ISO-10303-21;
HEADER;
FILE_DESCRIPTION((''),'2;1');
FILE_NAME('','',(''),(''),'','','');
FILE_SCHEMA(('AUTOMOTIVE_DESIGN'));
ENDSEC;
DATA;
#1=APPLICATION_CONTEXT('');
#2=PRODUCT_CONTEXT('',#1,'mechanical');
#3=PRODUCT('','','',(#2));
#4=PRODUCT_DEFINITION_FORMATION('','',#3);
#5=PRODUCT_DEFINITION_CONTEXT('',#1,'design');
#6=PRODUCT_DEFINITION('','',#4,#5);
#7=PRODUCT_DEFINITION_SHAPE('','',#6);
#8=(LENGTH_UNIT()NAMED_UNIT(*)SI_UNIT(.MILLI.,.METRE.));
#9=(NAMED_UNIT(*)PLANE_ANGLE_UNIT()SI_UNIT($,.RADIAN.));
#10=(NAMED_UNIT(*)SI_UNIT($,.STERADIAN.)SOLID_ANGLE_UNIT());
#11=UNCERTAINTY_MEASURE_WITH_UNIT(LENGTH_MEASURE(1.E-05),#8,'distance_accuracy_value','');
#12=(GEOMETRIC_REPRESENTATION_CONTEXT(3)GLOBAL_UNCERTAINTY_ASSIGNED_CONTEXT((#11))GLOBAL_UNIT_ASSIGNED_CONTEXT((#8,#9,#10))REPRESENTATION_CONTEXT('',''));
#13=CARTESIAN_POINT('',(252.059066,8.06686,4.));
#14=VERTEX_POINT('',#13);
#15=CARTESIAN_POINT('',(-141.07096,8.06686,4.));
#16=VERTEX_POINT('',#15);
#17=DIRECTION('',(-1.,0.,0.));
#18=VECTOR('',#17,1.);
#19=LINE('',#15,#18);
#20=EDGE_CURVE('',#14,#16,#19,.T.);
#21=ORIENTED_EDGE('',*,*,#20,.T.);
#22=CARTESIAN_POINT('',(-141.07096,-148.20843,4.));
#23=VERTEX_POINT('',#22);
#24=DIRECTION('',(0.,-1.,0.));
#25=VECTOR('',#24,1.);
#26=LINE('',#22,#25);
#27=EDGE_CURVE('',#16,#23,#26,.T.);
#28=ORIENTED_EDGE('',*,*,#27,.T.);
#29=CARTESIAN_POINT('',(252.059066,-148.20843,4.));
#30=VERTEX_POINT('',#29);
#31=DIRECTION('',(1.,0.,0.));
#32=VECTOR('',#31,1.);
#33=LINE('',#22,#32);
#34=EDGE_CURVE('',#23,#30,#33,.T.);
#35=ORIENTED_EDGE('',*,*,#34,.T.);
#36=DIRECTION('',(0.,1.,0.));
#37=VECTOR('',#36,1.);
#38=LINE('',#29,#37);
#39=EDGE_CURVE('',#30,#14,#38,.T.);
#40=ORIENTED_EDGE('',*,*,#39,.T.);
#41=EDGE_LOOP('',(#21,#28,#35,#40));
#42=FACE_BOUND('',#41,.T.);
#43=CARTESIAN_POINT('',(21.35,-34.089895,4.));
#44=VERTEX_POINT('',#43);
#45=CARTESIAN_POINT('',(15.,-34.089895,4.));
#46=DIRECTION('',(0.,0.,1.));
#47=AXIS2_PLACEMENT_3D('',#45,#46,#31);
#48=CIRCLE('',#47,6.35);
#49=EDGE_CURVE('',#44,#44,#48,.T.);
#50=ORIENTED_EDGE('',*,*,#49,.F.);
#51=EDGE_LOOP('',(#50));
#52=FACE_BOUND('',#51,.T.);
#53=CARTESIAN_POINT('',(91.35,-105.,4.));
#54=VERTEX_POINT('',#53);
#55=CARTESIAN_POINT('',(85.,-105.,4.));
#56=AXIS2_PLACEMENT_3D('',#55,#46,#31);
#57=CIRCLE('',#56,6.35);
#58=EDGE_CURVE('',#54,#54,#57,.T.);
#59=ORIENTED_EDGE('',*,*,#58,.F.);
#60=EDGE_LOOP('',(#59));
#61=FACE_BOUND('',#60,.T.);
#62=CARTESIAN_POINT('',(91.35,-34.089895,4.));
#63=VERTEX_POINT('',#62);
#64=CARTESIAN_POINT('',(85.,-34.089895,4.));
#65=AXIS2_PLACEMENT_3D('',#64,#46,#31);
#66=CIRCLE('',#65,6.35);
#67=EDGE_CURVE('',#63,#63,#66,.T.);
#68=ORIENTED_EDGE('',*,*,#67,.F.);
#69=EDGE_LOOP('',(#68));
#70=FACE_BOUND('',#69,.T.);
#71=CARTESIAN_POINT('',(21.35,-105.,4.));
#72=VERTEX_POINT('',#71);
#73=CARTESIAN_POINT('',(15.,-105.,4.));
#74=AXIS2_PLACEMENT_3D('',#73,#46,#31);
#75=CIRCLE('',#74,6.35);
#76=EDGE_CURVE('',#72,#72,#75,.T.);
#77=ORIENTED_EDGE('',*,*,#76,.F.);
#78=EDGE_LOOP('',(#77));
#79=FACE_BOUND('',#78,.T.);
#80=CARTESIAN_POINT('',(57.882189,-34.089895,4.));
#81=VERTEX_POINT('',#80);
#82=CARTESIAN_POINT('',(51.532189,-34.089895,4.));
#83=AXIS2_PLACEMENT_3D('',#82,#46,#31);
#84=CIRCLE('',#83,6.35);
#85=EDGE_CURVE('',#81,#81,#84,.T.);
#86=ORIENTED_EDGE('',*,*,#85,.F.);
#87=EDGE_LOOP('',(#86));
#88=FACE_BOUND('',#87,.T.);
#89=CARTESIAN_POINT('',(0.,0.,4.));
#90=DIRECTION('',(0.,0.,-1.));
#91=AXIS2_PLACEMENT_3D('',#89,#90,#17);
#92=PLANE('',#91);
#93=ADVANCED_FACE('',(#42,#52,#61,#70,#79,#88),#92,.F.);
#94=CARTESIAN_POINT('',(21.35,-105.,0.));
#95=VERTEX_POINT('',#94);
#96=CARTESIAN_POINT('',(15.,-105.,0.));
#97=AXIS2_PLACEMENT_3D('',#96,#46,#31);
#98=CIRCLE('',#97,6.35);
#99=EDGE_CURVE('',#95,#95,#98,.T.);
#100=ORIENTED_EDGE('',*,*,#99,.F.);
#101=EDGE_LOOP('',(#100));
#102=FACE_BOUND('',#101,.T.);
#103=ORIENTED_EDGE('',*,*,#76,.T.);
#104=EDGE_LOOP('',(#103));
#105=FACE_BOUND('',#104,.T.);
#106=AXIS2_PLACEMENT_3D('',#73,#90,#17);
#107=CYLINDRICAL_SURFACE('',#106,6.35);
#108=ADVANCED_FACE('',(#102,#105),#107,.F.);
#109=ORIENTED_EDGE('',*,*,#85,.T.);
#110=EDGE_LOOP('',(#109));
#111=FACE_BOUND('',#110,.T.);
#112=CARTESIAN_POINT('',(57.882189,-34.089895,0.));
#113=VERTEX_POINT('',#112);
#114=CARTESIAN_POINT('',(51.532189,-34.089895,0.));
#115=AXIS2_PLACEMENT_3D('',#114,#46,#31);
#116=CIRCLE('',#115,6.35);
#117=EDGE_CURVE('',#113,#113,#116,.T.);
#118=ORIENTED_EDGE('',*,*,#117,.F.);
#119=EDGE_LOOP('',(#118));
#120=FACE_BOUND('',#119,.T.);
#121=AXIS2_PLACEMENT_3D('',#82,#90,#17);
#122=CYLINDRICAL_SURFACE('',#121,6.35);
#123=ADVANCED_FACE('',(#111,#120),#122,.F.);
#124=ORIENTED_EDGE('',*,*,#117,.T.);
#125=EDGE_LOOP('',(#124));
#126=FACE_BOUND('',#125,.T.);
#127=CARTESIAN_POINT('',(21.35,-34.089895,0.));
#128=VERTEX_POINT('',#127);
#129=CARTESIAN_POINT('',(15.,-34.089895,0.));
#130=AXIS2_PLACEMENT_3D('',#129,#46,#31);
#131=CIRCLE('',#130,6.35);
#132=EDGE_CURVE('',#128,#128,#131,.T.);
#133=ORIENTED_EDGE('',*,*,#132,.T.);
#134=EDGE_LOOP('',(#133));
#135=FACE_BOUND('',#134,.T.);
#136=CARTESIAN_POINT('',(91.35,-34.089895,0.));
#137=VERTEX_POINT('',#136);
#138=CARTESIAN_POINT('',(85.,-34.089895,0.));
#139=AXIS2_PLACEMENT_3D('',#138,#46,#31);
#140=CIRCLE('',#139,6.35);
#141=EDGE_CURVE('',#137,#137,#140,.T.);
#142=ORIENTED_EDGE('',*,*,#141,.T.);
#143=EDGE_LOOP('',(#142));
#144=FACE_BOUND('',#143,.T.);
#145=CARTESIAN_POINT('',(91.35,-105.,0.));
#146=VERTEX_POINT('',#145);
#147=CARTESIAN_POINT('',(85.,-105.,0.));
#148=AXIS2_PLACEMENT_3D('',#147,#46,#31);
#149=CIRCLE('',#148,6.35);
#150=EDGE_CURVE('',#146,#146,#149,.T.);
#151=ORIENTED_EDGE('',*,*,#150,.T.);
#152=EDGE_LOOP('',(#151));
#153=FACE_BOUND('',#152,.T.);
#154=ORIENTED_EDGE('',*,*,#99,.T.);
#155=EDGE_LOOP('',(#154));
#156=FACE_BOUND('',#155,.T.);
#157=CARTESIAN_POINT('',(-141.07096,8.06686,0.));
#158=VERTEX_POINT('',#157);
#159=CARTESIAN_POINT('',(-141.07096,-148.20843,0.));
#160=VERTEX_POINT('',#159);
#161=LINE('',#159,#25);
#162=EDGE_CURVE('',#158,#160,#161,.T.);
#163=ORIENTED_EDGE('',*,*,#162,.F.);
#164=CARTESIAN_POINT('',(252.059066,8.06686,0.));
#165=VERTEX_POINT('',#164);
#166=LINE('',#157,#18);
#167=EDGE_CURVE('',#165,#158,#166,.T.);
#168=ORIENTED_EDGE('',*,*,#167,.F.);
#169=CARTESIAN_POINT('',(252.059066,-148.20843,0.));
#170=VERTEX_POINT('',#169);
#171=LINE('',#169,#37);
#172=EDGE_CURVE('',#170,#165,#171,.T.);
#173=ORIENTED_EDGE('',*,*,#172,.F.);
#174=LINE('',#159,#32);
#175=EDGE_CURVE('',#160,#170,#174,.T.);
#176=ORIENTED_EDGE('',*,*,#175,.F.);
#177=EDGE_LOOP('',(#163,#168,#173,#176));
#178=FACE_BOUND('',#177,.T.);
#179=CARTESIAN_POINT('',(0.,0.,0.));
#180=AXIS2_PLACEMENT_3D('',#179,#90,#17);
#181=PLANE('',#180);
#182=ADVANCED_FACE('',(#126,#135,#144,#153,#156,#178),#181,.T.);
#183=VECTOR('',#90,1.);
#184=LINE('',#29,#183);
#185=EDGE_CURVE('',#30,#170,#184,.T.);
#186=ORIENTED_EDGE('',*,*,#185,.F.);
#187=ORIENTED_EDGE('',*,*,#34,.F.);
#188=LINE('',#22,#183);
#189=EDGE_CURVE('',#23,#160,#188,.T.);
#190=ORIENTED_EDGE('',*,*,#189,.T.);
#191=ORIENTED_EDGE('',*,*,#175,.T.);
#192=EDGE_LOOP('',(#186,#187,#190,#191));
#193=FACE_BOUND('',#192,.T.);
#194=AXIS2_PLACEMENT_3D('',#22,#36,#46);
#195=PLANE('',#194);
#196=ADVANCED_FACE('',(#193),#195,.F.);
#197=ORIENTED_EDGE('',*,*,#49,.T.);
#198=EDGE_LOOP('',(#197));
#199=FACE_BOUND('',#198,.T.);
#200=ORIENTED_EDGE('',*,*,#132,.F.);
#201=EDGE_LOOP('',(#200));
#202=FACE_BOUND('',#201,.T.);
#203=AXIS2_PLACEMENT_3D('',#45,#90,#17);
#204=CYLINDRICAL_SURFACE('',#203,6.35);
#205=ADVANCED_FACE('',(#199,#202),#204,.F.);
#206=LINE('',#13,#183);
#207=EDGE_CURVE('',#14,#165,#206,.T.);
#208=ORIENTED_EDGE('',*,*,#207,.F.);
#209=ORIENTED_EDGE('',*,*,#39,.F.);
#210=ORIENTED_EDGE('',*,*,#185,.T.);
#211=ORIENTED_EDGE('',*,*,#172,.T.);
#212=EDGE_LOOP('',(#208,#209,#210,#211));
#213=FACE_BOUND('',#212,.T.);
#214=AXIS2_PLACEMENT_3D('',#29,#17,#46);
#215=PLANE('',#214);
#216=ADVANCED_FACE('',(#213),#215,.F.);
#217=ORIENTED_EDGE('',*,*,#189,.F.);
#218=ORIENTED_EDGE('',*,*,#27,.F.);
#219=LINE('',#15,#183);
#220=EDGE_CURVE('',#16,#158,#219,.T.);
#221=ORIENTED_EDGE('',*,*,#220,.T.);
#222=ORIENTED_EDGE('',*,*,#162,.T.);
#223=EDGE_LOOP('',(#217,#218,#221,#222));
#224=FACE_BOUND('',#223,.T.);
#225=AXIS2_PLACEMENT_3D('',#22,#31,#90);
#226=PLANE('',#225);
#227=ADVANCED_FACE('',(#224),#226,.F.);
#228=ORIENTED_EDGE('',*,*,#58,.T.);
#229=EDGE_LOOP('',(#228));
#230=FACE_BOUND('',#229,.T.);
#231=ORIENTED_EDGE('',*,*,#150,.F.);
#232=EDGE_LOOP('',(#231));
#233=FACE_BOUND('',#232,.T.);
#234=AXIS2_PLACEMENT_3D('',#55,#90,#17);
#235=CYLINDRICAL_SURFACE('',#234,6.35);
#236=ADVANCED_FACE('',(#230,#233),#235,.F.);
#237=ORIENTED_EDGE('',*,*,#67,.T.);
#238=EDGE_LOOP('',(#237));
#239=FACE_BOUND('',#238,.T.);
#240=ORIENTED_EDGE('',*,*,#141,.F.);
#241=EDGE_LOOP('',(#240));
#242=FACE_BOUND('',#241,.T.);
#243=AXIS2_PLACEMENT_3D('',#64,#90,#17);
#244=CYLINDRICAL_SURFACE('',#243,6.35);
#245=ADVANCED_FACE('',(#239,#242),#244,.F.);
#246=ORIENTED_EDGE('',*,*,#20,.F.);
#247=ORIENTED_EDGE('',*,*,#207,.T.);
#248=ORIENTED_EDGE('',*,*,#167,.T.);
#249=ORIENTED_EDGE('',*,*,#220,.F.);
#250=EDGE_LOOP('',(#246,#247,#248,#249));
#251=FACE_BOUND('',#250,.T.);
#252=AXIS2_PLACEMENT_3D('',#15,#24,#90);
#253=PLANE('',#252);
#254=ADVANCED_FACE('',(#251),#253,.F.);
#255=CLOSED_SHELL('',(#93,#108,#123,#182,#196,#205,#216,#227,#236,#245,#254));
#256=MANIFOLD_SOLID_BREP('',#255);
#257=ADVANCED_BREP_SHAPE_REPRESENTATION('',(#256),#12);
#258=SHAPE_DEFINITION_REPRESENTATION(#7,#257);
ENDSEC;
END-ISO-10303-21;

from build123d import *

# Parameters (mm, degrees)
CROQUIS1_W              = 393.13002591
CROQUIS1_H              = 156.275289803
CROQUIS1_R              = 6.35
SALIENTE_EXTRUIR1_DEPTH = 4


with BuildPart() as part:
    # Croquis1 → Saliente-Extruir1 (new body)
    with BuildSketch(Plane.XY):
        with Locations((55.494053157, -70.070785349)):
            Rectangle(CROQUIS1_W, CROQUIS1_H)
        with Locations((15, -105)):
            Circle(CROQUIS1_R, mode=Mode.SUBTRACT)
        with Locations((85, -105)):
            Circle(CROQUIS1_R, mode=Mode.SUBTRACT)
        with Locations((85, -34.089894909)):
            Circle(CROQUIS1_R, mode=Mode.SUBTRACT)
        with Locations((15, -34.089894909)):
            Circle(CROQUIS1_R, mode=Mode.SUBTRACT)
        with Locations((51.532189387, -34.089894909)):
            Circle(CROQUIS1_R, mode=Mode.SUBTRACT)
    extrude(amount=SALIENTE_EXTRUIR1_DEPTH)


solid = part.part
